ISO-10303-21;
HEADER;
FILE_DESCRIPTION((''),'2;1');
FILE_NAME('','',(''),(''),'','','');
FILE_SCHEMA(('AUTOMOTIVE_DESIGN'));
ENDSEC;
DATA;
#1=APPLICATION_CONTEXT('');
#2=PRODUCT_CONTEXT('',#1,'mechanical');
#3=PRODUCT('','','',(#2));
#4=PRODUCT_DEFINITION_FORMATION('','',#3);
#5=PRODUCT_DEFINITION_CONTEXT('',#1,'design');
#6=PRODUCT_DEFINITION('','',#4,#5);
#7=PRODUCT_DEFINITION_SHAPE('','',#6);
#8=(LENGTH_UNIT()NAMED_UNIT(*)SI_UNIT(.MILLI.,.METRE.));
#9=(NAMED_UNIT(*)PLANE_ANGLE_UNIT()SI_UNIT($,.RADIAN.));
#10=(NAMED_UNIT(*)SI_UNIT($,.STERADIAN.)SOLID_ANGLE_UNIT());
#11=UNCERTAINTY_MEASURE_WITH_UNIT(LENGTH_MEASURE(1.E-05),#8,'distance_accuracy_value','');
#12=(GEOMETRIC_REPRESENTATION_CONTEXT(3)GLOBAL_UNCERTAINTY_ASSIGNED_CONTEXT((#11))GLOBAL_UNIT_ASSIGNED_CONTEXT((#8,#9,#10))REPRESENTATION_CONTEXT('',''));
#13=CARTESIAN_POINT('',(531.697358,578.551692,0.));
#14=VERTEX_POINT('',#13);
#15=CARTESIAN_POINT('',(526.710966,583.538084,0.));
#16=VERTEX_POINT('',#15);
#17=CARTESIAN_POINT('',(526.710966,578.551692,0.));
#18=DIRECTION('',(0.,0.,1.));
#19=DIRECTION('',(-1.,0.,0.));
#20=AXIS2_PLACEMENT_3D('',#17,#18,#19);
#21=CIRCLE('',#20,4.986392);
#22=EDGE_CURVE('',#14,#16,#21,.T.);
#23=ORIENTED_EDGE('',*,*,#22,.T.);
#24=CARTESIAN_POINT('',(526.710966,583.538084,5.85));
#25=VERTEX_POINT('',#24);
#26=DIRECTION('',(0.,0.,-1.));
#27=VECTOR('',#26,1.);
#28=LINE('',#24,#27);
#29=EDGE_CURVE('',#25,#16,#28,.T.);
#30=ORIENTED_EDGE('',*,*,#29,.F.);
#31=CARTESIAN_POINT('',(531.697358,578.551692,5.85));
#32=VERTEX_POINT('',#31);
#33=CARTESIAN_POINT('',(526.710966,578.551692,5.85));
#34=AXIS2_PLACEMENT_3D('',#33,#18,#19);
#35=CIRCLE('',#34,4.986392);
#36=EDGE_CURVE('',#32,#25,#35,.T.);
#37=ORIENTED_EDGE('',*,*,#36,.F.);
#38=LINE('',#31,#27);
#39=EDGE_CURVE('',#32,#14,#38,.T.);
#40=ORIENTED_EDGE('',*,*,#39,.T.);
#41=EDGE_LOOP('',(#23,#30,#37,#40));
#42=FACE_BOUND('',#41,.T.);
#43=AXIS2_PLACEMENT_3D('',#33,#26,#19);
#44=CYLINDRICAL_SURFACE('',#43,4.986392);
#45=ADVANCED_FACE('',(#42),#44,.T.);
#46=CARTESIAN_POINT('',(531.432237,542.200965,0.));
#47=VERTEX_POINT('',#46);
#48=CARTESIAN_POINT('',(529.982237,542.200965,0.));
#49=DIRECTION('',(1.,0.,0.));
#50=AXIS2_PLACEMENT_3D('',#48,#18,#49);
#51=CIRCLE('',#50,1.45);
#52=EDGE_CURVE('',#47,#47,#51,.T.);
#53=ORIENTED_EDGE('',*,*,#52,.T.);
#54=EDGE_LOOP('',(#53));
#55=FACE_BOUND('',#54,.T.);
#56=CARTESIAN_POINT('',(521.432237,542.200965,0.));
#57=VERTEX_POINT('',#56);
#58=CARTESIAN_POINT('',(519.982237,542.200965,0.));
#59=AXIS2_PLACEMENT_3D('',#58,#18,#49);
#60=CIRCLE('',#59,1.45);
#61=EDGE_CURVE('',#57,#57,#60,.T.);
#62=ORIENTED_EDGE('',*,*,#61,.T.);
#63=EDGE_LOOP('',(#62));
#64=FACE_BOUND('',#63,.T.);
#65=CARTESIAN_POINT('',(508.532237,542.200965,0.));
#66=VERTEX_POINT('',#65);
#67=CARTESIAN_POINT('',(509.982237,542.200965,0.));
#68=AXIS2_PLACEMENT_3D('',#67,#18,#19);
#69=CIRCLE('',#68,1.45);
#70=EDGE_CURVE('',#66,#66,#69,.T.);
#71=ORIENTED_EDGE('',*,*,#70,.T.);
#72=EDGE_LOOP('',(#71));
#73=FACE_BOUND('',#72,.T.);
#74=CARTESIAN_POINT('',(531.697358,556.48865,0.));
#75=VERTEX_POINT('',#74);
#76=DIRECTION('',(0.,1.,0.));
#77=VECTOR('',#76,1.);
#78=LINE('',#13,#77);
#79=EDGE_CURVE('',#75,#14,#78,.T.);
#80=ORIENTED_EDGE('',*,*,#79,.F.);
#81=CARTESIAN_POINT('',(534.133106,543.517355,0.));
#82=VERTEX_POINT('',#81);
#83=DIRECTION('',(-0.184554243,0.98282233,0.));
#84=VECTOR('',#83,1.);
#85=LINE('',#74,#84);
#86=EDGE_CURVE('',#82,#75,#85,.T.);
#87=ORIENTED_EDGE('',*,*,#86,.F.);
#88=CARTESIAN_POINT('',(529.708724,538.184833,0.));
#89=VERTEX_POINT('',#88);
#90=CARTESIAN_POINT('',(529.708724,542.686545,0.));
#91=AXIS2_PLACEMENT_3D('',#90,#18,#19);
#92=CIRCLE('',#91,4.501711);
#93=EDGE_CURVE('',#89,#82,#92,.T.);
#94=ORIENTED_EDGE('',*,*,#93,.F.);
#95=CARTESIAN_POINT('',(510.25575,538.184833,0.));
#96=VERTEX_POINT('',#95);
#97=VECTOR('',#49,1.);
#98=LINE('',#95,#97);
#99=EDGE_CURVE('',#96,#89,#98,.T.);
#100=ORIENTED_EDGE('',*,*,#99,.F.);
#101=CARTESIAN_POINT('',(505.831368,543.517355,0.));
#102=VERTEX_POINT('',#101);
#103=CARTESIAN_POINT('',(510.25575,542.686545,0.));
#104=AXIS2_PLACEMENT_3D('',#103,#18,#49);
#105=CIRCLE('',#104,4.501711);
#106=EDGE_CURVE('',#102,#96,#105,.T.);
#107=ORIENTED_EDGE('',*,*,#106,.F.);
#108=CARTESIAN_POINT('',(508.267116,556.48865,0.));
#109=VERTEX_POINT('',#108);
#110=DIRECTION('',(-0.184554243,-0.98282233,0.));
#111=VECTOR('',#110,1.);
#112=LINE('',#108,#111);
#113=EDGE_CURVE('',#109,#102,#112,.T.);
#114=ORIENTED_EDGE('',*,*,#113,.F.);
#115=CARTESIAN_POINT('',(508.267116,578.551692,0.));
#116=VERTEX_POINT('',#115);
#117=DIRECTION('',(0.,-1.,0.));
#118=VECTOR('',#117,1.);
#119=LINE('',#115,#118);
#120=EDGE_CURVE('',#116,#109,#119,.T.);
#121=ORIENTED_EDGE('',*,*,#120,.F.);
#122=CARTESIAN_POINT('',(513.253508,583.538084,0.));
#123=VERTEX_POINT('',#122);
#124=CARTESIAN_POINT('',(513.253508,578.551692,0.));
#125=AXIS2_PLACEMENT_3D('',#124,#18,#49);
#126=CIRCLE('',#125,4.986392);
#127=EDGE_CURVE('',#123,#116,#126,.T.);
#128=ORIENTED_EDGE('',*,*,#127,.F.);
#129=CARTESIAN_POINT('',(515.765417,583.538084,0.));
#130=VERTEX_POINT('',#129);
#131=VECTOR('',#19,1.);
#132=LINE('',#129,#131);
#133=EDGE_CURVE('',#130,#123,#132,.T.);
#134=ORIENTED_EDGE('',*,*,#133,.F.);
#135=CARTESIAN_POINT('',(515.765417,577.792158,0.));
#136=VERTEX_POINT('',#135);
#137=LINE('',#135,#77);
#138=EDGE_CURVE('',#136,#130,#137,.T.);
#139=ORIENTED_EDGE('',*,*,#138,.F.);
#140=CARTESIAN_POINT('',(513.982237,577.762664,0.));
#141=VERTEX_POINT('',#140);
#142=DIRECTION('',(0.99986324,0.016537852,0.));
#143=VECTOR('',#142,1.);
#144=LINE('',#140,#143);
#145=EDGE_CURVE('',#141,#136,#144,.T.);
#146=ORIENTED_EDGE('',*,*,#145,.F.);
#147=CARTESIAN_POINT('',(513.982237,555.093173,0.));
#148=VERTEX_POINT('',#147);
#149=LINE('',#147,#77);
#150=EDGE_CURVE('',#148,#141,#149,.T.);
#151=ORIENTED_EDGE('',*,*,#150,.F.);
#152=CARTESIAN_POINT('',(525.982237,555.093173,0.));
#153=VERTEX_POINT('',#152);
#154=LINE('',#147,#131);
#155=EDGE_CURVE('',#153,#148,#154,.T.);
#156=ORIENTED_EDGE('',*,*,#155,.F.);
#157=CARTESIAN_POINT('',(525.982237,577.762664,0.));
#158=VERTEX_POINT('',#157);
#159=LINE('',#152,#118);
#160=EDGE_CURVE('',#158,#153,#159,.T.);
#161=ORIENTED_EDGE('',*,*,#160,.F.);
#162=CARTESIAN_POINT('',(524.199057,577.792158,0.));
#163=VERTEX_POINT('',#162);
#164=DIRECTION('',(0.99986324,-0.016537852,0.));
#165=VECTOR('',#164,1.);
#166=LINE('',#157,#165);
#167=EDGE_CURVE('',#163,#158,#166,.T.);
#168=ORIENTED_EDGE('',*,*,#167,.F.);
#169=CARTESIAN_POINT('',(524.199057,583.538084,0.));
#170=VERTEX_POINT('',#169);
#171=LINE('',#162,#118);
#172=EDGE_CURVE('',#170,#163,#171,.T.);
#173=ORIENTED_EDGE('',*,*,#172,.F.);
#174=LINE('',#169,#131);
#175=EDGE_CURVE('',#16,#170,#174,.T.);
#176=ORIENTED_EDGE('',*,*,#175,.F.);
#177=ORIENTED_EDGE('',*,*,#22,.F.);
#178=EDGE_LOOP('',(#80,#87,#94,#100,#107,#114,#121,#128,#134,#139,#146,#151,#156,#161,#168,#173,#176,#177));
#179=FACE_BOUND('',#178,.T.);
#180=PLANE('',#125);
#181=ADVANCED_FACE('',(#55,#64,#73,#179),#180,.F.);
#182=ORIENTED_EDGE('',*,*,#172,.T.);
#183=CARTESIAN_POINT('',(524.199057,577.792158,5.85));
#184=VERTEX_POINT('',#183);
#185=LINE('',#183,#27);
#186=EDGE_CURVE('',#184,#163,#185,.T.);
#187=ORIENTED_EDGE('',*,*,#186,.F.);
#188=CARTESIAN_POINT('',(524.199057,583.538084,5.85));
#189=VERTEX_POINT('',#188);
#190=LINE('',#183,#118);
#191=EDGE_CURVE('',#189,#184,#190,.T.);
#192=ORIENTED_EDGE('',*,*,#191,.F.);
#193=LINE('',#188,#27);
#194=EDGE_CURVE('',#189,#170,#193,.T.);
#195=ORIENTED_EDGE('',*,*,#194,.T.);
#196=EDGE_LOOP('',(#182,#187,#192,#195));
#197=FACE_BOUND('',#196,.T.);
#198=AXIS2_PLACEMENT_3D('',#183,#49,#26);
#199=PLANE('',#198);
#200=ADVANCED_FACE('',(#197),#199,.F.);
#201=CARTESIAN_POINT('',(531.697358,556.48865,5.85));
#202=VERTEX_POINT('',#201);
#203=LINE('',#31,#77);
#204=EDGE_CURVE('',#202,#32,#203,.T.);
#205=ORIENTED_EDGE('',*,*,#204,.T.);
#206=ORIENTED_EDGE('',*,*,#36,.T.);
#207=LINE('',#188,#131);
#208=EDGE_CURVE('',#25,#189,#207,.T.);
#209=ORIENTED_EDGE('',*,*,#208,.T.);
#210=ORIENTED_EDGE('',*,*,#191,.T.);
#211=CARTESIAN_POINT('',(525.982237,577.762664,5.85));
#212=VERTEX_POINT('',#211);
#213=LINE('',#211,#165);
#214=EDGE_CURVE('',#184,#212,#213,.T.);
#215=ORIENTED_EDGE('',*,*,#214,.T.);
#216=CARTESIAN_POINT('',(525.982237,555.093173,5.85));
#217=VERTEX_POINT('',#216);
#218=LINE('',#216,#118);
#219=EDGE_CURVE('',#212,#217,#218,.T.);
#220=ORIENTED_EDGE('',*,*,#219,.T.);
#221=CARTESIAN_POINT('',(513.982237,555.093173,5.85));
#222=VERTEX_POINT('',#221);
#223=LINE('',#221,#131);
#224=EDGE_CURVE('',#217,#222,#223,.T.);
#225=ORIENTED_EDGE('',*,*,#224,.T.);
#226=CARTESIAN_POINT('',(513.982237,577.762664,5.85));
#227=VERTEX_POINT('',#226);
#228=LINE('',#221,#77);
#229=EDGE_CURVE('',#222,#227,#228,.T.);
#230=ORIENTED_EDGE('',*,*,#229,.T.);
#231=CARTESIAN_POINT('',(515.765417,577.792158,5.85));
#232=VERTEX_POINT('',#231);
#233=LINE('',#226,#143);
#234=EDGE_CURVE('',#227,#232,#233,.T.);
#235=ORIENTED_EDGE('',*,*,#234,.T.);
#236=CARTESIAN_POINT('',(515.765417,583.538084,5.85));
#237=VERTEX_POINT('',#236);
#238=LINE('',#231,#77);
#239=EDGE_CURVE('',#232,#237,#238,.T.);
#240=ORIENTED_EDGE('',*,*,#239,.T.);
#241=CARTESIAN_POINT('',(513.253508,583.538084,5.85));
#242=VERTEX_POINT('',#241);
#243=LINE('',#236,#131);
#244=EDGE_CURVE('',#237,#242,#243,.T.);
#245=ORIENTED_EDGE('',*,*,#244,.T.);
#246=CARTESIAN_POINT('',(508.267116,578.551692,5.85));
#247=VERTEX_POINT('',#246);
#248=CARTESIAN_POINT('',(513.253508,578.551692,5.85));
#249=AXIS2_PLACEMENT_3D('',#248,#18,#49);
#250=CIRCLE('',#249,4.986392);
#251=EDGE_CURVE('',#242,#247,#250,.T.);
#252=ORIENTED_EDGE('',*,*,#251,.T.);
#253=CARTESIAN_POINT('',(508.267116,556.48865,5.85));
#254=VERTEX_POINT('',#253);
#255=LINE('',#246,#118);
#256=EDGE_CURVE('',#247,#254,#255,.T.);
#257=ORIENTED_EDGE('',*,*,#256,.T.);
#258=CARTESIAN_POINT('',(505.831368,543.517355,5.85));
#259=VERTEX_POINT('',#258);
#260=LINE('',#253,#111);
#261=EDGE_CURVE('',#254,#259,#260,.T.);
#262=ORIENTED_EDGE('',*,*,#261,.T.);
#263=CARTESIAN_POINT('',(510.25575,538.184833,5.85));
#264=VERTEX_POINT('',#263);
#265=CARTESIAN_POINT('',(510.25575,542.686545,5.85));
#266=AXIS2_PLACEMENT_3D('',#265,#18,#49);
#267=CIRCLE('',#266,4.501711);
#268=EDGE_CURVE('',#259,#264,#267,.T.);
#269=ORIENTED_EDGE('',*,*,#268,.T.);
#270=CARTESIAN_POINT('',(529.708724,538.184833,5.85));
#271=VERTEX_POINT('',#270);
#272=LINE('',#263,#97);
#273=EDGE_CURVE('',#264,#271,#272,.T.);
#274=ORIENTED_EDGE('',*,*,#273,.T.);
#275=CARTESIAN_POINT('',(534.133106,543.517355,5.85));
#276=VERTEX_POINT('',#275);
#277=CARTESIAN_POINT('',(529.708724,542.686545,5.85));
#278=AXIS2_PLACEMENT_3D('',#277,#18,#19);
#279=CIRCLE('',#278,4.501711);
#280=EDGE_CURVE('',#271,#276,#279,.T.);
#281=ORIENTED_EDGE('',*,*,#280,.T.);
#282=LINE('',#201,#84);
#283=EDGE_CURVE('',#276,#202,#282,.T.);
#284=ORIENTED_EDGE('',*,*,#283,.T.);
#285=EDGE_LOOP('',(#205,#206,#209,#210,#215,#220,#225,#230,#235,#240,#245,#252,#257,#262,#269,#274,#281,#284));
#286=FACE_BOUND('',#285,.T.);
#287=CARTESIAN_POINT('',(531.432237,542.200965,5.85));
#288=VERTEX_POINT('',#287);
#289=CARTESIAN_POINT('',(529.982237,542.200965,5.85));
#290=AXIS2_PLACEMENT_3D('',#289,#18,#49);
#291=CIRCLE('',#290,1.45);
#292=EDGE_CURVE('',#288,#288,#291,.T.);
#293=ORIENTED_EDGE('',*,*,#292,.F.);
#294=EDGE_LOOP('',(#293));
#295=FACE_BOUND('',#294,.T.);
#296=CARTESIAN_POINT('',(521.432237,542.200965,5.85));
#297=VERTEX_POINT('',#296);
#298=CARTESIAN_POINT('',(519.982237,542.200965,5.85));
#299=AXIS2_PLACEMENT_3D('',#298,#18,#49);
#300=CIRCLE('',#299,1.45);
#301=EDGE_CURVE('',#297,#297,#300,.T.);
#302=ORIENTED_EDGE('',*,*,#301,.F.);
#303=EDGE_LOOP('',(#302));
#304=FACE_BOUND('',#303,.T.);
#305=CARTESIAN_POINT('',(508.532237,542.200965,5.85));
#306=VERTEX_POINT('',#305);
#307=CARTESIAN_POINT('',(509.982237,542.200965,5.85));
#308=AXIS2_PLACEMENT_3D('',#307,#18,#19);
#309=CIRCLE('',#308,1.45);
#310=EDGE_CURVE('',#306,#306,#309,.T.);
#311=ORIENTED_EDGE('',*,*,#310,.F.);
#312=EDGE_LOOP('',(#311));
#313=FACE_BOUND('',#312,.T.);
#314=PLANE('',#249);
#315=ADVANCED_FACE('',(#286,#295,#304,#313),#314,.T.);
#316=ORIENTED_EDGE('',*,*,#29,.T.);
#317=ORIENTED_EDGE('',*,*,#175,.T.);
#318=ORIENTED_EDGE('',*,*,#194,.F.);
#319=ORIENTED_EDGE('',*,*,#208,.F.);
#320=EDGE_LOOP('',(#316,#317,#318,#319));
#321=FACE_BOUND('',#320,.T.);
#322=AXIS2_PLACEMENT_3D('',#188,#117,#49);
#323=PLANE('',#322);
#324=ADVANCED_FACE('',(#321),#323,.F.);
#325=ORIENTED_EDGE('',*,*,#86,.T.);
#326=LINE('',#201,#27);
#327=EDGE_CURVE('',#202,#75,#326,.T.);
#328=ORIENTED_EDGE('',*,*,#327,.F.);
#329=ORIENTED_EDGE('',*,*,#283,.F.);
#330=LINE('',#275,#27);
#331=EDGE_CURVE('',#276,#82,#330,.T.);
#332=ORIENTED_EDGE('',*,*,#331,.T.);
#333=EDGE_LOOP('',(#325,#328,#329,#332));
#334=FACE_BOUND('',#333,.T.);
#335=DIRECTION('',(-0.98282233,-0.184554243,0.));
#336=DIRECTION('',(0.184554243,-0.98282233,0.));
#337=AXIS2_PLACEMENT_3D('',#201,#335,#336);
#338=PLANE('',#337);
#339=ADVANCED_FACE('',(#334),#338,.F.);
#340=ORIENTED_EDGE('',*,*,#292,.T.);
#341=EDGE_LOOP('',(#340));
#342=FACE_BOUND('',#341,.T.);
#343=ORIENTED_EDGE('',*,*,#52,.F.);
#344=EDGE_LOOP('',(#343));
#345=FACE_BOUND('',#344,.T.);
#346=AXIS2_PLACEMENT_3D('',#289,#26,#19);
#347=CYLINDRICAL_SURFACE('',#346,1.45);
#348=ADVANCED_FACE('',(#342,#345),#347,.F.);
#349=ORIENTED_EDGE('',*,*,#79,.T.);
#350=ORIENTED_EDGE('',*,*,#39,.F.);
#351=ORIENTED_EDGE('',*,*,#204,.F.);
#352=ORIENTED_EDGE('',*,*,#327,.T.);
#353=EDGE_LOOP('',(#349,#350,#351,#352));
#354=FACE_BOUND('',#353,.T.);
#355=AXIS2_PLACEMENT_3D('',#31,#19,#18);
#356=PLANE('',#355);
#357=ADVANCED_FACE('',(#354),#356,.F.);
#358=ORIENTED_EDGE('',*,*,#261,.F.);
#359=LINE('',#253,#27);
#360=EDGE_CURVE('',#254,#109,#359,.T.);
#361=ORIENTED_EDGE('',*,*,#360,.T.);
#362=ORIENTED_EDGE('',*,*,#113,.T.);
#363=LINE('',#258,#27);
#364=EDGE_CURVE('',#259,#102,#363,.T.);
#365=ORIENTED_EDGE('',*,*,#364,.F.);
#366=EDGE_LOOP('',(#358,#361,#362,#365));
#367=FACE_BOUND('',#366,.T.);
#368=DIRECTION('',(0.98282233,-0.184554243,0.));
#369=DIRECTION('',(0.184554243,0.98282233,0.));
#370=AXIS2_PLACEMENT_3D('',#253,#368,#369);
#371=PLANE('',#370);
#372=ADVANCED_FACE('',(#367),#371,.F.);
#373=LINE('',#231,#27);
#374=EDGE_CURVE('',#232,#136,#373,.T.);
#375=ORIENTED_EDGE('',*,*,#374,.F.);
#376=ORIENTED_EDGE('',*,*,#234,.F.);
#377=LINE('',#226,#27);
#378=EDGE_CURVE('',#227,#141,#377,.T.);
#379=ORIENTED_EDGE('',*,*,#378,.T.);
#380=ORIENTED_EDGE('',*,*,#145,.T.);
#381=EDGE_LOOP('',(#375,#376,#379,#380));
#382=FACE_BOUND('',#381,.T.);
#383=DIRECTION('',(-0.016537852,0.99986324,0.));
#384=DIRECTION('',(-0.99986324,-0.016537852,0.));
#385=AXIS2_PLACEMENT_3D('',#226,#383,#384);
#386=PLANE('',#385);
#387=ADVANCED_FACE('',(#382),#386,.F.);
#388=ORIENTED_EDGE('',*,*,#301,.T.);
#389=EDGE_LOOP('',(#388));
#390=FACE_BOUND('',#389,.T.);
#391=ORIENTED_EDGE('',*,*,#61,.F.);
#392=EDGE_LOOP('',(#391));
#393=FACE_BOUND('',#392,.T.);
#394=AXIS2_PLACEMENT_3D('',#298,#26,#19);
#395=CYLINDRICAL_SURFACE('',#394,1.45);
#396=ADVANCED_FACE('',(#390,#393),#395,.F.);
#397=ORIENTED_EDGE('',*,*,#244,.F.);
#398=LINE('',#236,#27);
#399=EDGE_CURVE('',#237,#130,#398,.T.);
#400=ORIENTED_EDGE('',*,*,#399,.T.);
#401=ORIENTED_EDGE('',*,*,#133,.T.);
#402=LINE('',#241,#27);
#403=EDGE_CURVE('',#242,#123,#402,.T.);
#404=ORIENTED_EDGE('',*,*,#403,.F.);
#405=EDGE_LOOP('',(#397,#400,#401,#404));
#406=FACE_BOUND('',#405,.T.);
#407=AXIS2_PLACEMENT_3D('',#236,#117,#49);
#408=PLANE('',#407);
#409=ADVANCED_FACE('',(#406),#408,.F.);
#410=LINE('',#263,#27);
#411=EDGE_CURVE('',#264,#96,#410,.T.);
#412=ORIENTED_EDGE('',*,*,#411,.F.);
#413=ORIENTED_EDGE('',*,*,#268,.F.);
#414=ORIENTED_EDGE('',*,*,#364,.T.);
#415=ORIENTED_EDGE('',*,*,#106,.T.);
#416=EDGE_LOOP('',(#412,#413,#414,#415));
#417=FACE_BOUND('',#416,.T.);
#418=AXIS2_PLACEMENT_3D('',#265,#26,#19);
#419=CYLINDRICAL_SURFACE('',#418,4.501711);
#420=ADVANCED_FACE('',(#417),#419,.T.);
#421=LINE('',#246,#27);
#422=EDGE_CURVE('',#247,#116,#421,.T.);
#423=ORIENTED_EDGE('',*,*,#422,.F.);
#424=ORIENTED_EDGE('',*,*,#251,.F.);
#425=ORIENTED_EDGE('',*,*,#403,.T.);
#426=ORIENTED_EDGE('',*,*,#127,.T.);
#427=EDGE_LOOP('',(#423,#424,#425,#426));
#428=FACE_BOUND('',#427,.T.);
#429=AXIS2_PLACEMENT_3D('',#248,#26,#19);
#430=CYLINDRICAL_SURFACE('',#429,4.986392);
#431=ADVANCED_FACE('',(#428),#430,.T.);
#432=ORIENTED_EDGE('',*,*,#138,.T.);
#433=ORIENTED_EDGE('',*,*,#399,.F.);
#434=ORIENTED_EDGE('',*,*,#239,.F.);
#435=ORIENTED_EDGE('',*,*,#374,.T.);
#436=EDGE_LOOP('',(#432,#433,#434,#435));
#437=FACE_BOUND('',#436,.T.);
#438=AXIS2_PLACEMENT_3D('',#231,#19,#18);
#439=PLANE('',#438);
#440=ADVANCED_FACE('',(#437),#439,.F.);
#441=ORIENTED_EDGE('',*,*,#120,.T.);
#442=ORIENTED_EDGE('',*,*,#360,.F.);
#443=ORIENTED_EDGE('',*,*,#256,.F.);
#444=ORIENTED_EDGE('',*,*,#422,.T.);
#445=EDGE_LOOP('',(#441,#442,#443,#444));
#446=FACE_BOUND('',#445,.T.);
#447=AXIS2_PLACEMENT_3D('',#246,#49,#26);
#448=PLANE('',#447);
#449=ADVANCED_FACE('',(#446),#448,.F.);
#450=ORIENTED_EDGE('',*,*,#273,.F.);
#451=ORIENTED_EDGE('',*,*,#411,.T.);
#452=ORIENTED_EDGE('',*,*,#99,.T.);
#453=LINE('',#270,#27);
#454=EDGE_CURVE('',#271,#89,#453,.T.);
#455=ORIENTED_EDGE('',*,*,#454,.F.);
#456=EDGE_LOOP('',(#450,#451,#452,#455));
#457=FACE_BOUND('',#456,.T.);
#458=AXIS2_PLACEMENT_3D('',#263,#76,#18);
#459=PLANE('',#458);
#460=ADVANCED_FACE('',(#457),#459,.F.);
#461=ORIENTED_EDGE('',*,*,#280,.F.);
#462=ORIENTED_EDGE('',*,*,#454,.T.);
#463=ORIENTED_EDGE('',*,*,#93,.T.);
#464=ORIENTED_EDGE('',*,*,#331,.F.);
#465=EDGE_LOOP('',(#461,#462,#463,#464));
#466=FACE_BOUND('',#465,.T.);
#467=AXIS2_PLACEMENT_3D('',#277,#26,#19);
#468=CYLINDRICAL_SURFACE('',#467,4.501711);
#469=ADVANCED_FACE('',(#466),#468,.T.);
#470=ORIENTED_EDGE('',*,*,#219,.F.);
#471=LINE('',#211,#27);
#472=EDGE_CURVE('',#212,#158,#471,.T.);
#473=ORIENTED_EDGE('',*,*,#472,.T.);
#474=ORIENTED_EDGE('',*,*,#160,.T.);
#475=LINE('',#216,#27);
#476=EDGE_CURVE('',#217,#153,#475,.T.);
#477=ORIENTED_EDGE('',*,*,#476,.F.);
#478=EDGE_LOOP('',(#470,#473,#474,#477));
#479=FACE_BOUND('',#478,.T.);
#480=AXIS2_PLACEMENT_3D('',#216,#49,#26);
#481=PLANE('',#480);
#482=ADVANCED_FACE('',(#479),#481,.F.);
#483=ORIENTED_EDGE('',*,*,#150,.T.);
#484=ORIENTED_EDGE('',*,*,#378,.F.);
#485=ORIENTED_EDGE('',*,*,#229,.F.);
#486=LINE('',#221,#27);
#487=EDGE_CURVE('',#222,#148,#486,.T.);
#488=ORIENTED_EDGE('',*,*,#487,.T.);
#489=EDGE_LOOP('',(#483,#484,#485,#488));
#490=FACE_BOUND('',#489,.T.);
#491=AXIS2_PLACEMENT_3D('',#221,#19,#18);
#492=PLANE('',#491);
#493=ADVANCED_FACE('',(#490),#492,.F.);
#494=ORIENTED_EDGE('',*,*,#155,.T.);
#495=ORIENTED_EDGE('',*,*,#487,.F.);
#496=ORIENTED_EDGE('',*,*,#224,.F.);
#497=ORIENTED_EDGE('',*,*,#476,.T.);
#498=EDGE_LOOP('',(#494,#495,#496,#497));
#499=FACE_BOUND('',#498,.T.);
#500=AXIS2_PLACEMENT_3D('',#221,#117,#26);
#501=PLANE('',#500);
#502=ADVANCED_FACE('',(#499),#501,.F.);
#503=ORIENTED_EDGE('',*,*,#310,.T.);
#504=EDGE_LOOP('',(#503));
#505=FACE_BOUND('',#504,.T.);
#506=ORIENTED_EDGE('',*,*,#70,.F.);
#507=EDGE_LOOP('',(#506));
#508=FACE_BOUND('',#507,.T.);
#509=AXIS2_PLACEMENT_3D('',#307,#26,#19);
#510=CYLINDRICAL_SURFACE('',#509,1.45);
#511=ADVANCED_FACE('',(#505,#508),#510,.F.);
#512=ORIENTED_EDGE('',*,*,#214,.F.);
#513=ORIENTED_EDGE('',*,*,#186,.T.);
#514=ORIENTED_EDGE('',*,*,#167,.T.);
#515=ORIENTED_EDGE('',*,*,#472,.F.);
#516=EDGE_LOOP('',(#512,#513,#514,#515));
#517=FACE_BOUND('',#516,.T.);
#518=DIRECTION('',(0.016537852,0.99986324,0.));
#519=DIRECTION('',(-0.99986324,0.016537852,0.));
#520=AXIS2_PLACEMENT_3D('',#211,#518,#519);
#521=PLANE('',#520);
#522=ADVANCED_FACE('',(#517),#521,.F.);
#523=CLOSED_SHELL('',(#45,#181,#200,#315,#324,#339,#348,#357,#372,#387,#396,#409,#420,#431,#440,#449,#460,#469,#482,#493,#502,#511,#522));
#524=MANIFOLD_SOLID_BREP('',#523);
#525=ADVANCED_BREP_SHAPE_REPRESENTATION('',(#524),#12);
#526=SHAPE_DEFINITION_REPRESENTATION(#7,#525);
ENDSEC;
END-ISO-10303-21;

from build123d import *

# Parameters (mm, degrees)
MODEL_R             = 1.449999899
MODEL_R_2           = 1.450000076
BOSS_EXTRUDE1_DEPTH = 5.85


with BuildPart() as part:
    # Model → Boss-Extrude1 (new body)
    with BuildSketch(Plane.XY):
        with BuildLine():
            Line((508.267115634, 556.488649767), (505.831367634, 543.517354767))
            ThreePointArc((505.831367634, 543.517354767), (506.791253617, 539.812058859), (510.255750143, 538.184833401))
            Line((510.255750143, 538.184833401), (529.708723634, 538.184833401))
            ThreePointArc((529.708723634, 538.184833401), (533.173220159, 539.812058859), (534.133106143, 543.517354767))
            Line((534.133106143, 543.517354767), (531.697358143, 556.488649767))
            Line((531.697358143, 556.488649767), (531.697358143, 578.551691787))
            ThreePointArc((531.697358143, 578.551691787), (530.236877746, 582.07760337), (526.710966163, 583.538083767))
            Line((526.710966163, 583.538083767), (524.199056888, 583.538083767))
            Line((524.199056888, 583.538083767), (524.199056888, 577.792158))
            Line((524.199056888, 577.792158), (525.982236888, 577.762664))
            Line((525.982236888, 577.762664), (525.982236888, 555.093173))
            Line((525.982236888, 555.093173), (513.982236888, 555.093173))
            Line((513.982236888, 555.093173), (513.982236888, 577.762664))
            Line((513.982236888, 577.762664), (515.765416888, 577.792158))
            Line((515.765416888, 577.792158), (515.765416888, 583.538083767))
            Line((515.765416888, 583.538083767), (513.253507613, 583.538083767))
            ThreePointArc((513.253507613, 583.538083767), (509.727596031, 582.07760337), (508.267115634, 578.551691787))
            Line((508.267115634, 578.551691787), (508.267115634, 556.488649767))
        make_face()
        with Locations(Location((509.982236888, 542.200965, 0), (0, 0, 180))):
            Circle(MODEL_R, mode=Mode.SUBTRACT)
        with Locations((519.982236888, 542.200965)):
            Circle(MODEL_R_2, mode=Mode.SUBTRACT)
        with Locations((529.982236888, 542.200965)):
            Circle(MODEL_R, mode=Mode.SUBTRACT)
    extrude(amount=BOSS_EXTRUDE1_DEPTH)


solid = part.part
